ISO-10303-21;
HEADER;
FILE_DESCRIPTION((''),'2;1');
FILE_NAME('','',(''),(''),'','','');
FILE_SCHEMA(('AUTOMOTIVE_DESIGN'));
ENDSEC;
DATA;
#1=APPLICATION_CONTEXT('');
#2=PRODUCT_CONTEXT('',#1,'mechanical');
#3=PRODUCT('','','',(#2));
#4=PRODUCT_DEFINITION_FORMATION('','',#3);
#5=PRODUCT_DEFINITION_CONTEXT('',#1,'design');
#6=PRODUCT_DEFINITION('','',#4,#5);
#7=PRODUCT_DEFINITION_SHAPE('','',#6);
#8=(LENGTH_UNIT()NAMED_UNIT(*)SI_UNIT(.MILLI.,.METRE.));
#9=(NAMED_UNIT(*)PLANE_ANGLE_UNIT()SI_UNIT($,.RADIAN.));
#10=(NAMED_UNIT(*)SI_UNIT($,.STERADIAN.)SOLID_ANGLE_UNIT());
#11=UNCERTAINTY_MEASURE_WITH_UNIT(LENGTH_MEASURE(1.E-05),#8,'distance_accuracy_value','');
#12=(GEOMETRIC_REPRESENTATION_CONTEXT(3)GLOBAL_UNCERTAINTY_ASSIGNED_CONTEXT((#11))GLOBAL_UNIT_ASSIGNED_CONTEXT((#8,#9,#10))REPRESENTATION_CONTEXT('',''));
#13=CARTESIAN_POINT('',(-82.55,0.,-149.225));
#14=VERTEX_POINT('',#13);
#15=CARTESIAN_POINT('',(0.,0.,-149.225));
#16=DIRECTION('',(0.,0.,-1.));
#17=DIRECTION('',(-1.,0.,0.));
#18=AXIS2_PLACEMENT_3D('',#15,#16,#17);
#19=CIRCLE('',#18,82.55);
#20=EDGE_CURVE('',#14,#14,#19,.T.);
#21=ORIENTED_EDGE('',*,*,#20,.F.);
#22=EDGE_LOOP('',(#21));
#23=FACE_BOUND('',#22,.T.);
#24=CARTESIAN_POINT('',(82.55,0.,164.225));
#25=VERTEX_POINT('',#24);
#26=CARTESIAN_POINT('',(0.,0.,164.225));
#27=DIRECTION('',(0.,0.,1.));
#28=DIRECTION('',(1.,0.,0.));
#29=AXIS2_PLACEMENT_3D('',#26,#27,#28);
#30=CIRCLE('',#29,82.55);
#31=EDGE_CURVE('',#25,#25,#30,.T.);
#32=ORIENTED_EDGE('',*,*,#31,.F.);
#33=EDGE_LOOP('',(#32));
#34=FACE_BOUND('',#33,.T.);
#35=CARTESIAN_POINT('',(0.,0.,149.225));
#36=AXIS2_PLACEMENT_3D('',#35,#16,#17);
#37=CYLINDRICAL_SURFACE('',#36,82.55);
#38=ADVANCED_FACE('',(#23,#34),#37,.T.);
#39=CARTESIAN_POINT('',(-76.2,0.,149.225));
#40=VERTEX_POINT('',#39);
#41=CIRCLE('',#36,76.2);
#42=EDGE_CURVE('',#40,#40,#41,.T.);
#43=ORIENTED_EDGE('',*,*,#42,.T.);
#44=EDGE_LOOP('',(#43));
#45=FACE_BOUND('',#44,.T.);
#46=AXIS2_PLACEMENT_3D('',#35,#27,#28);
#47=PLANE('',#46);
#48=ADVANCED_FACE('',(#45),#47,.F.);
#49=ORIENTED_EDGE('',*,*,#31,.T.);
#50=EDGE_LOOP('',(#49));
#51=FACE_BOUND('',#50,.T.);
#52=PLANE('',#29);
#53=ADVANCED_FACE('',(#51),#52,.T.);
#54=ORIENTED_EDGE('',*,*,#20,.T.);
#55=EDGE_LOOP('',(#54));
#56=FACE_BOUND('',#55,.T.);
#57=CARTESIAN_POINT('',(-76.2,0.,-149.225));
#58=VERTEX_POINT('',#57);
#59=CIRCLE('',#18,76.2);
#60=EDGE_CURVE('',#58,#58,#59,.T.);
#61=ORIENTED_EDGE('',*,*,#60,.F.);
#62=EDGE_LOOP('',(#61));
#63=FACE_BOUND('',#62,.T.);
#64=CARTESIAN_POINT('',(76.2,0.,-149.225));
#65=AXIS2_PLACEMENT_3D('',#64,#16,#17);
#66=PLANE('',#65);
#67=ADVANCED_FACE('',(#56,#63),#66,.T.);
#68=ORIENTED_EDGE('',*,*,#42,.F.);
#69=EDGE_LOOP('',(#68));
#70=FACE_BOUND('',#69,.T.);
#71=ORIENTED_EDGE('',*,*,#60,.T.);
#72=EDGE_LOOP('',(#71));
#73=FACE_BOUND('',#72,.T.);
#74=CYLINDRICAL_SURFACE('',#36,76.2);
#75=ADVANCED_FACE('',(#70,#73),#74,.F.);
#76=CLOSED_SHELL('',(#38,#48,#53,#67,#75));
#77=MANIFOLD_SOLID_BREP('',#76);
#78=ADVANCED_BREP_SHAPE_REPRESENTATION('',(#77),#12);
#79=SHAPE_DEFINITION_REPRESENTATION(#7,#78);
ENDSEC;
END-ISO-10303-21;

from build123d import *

# Parameters (mm, degrees)
ESQUISSE1_W        = 6.35
ESQUISSE1_H        = 298.45
BOSS_EXTRU_1_START = 15
ESQUISSE2_R        = 82.55
BOSS_EXTRU_1_DEPTH = 15


with BuildPart() as part:
    # Esquisse1 → Révolution1 (revolve)
    with BuildSketch(Plane.XZ, mode=Mode.PRIVATE) as r_volution1_sk:
        with Locations((79.375, 0)):
            Rectangle(ESQUISSE1_W, ESQUISSE1_H)
    revolve(r_volution1_sk.sketch.rotate(Axis((0, 0, 149.225), (0, 0, -1)), 180), axis=Axis((0, 0, 149.225), (0, 0, -1)))

    # Esquisse2 → Boss.-Extru.1 (add)
    with BuildSketch(Plane.XY.offset(149.225).offset(BOSS_EXTRU_1_START)):
        with Locations(Location((0, 0, 0), (0, 0, 180))):
            Circle(ESQUISSE2_R)
    extrude(amount=-BOSS_EXTRU_1_DEPTH)


solid = part.part
